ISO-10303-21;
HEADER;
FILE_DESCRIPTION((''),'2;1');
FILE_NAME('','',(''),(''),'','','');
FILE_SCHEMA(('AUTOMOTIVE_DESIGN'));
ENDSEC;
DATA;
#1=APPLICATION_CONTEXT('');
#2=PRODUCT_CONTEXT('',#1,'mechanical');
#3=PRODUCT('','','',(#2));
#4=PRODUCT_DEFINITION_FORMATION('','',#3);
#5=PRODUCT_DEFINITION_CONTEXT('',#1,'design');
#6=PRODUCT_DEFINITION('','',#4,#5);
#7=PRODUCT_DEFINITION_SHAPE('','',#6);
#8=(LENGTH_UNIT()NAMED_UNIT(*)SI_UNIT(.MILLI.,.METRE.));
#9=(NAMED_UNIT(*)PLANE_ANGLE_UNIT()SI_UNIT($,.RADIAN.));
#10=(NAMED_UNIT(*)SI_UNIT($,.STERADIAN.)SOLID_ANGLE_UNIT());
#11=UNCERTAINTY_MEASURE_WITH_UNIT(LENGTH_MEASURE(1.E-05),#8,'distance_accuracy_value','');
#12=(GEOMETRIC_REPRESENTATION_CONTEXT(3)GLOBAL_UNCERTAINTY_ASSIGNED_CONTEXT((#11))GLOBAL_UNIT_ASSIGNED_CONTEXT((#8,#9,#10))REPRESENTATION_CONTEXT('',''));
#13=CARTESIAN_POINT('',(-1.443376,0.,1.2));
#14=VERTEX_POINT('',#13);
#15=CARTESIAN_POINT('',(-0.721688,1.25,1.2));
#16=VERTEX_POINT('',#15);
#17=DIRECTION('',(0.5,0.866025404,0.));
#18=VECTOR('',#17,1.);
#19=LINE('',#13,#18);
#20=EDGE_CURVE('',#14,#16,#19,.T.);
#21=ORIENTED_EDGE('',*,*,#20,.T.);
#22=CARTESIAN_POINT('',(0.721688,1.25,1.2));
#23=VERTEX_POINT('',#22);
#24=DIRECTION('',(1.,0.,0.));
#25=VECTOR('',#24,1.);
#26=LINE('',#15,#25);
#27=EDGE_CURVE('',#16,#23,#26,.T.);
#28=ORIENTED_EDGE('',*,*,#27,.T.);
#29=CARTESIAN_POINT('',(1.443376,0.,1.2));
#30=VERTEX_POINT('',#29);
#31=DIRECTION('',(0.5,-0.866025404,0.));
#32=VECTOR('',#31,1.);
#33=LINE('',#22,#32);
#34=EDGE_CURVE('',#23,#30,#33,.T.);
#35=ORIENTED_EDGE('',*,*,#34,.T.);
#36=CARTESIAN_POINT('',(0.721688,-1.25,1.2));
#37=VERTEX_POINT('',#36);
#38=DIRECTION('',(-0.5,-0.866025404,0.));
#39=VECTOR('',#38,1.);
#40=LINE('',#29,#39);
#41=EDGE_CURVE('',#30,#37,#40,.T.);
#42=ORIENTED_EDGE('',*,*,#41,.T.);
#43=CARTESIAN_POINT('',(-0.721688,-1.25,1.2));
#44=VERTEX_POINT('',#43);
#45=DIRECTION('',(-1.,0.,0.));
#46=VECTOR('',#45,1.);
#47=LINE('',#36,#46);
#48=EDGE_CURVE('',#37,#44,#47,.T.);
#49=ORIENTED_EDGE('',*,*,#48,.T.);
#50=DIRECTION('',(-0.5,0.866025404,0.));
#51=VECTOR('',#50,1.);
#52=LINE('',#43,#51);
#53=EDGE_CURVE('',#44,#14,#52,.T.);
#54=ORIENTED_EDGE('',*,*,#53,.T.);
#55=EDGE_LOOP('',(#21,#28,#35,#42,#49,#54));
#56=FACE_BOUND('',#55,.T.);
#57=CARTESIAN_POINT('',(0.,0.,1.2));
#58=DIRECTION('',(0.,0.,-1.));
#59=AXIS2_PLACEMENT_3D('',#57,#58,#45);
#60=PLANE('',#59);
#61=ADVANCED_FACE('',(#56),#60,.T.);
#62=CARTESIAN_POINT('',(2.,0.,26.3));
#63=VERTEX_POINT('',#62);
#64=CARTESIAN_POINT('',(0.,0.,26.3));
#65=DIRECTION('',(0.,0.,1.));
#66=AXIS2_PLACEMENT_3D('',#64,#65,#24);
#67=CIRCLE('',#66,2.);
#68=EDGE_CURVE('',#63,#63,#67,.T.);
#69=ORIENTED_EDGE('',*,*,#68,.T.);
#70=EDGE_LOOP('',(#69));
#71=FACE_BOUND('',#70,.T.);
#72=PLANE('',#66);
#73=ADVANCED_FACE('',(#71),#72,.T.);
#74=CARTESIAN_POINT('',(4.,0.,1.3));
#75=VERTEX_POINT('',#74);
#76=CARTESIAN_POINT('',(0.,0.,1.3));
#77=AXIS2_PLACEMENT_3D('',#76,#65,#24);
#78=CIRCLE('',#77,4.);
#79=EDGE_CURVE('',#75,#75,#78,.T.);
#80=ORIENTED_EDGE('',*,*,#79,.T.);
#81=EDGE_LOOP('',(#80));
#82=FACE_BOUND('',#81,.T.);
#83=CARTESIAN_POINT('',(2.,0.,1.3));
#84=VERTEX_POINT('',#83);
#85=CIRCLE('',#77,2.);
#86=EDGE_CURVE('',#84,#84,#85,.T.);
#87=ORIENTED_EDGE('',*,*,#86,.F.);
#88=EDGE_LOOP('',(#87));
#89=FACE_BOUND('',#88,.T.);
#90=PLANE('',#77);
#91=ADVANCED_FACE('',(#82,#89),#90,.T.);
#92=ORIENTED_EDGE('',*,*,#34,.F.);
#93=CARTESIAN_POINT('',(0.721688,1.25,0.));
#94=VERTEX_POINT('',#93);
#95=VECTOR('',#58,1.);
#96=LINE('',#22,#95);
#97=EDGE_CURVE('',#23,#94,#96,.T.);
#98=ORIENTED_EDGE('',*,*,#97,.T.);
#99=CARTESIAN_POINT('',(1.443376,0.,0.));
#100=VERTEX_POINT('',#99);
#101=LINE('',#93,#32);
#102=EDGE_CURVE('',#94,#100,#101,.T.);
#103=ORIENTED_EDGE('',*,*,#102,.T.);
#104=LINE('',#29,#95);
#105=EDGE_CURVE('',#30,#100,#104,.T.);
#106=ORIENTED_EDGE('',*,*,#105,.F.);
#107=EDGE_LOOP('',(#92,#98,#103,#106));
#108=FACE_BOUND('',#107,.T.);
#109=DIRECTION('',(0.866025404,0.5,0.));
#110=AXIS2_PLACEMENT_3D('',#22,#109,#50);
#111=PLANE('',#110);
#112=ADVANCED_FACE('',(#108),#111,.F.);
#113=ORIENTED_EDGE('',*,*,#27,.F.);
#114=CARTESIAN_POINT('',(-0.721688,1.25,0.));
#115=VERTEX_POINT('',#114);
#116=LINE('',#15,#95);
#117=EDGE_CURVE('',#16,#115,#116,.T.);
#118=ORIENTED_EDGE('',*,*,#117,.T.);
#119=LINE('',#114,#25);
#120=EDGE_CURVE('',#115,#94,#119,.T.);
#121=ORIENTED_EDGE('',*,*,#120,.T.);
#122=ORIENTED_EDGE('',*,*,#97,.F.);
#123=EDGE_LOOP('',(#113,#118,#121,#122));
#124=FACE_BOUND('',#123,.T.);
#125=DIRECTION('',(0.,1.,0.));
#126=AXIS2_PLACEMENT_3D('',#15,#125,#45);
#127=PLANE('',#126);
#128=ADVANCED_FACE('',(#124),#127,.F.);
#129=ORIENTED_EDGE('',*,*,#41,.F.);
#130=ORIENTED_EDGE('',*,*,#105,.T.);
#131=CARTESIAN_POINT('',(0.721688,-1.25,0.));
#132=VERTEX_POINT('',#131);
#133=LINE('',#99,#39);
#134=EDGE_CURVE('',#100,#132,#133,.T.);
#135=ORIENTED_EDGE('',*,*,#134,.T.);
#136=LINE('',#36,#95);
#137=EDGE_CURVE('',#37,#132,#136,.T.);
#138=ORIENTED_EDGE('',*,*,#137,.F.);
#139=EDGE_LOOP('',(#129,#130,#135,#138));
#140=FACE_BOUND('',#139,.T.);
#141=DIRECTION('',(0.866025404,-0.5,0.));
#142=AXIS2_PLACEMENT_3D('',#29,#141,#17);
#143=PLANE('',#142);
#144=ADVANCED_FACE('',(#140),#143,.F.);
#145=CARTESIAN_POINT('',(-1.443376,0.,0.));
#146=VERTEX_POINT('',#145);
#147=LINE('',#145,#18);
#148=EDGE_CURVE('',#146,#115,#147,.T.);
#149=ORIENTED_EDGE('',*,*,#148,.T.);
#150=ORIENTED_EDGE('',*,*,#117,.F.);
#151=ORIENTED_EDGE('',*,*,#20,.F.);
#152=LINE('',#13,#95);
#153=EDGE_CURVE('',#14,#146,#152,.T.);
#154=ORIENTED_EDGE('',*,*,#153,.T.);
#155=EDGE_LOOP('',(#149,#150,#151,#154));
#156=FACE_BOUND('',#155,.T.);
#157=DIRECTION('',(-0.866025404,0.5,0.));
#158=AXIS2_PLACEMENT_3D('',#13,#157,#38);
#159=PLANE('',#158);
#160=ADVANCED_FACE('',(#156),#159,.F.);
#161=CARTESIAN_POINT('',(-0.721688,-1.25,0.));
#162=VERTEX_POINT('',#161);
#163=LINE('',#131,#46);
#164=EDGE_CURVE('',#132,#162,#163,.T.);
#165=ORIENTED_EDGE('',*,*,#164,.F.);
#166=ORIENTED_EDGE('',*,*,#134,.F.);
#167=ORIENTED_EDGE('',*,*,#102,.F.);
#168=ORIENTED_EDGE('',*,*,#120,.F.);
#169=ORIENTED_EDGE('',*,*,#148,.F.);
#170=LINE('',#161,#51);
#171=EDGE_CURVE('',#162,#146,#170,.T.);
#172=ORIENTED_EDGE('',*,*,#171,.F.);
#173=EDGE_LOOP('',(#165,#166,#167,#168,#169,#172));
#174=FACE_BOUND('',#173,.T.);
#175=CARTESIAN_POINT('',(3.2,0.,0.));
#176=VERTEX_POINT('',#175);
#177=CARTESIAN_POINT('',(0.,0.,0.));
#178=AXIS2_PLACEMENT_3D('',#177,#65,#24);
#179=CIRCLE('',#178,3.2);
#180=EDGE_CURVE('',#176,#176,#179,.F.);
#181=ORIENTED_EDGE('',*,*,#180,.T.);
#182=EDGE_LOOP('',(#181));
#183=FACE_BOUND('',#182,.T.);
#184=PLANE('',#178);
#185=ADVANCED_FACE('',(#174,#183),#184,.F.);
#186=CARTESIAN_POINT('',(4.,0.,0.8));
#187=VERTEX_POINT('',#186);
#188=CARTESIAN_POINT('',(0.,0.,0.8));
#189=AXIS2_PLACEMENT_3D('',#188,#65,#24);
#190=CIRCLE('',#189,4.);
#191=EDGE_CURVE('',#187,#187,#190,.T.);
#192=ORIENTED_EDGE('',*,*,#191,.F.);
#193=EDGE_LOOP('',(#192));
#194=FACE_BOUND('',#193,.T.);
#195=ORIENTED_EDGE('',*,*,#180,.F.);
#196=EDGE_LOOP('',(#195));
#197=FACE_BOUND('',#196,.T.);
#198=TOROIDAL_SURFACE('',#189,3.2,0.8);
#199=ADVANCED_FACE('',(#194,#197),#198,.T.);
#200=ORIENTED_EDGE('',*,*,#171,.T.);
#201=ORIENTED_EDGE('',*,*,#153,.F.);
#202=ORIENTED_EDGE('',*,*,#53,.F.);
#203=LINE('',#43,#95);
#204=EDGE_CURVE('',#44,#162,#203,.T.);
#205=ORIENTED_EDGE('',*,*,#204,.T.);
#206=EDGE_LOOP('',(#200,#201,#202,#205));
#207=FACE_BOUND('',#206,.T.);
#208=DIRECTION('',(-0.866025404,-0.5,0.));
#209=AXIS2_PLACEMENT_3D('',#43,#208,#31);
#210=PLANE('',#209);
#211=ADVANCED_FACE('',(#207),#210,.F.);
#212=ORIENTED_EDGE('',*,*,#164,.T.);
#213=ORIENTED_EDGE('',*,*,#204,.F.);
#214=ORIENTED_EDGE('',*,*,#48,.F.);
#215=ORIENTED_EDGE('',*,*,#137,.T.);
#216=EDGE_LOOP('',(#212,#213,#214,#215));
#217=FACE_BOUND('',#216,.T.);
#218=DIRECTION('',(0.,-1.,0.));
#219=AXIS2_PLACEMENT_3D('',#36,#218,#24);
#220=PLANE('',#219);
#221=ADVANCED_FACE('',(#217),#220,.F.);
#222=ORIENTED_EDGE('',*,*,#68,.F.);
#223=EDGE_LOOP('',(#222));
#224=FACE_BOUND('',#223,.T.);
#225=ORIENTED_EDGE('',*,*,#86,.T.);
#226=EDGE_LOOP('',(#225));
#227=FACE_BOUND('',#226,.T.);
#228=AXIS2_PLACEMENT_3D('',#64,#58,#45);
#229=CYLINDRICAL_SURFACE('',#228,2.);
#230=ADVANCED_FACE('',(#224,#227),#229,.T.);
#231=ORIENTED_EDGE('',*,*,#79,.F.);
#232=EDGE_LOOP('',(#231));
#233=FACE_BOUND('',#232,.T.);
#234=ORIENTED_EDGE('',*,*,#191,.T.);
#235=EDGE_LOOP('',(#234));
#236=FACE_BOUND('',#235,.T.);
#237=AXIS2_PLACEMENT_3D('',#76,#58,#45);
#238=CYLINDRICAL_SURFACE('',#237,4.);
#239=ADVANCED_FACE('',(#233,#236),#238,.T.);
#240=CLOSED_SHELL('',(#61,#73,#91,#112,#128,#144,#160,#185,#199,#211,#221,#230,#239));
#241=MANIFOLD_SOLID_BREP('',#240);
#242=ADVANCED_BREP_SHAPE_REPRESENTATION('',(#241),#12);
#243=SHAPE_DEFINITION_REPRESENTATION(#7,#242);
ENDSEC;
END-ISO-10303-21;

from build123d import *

# Parameters (mm, degrees)
SKETCH_1_R          = 4
EXTRUDE_1_DEPTH     = 1.3
SKETCH_2_R          = 2
EXTRUDE_2_DEPTH     = 25
CUT_EXTRUDE_1_DEPTH = 1.2
FILLET_1_R          = 0.8


with BuildPart() as part:
    # 草图1 → 凸台-拉伸1 (new body)
    with BuildSketch(Plane.XY):
        Circle(SKETCH_1_R)
    extrude(amount=EXTRUDE_1_DEPTH)

    # 草图2 → 凸台-拉伸2 (add)
    with BuildSketch(Plane.XY.offset(1.3)):
        Circle(SKETCH_2_R)
    extrude(amount=EXTRUDE_2_DEPTH)

    # 草图3 → 切除-拉伸1 (cut)
    with BuildSketch(Plane(origin=(0, 0, 0), x_dir=(-1, 0, 0), z_dir=(0, 0, -1))):
        Polygon((-0.721687836, 1.25), (-1.443375673, 0), (-0.721687836, -1.25), (0.721687836, -1.25), (1.443375673, 0), (0.721687836, 1.25), align=None)
    extrude(amount=-CUT_EXTRUDE_1_DEPTH, mode=Mode.SUBTRACT)

    # 圆角1
    fillet_1_edges = [part.edges().sort_by_distance(p)[0] for p in [
        (-4, 0, 0),
    ]]
    fillet(fillet_1_edges, radius=FILLET_1_R)


solid = part.part
